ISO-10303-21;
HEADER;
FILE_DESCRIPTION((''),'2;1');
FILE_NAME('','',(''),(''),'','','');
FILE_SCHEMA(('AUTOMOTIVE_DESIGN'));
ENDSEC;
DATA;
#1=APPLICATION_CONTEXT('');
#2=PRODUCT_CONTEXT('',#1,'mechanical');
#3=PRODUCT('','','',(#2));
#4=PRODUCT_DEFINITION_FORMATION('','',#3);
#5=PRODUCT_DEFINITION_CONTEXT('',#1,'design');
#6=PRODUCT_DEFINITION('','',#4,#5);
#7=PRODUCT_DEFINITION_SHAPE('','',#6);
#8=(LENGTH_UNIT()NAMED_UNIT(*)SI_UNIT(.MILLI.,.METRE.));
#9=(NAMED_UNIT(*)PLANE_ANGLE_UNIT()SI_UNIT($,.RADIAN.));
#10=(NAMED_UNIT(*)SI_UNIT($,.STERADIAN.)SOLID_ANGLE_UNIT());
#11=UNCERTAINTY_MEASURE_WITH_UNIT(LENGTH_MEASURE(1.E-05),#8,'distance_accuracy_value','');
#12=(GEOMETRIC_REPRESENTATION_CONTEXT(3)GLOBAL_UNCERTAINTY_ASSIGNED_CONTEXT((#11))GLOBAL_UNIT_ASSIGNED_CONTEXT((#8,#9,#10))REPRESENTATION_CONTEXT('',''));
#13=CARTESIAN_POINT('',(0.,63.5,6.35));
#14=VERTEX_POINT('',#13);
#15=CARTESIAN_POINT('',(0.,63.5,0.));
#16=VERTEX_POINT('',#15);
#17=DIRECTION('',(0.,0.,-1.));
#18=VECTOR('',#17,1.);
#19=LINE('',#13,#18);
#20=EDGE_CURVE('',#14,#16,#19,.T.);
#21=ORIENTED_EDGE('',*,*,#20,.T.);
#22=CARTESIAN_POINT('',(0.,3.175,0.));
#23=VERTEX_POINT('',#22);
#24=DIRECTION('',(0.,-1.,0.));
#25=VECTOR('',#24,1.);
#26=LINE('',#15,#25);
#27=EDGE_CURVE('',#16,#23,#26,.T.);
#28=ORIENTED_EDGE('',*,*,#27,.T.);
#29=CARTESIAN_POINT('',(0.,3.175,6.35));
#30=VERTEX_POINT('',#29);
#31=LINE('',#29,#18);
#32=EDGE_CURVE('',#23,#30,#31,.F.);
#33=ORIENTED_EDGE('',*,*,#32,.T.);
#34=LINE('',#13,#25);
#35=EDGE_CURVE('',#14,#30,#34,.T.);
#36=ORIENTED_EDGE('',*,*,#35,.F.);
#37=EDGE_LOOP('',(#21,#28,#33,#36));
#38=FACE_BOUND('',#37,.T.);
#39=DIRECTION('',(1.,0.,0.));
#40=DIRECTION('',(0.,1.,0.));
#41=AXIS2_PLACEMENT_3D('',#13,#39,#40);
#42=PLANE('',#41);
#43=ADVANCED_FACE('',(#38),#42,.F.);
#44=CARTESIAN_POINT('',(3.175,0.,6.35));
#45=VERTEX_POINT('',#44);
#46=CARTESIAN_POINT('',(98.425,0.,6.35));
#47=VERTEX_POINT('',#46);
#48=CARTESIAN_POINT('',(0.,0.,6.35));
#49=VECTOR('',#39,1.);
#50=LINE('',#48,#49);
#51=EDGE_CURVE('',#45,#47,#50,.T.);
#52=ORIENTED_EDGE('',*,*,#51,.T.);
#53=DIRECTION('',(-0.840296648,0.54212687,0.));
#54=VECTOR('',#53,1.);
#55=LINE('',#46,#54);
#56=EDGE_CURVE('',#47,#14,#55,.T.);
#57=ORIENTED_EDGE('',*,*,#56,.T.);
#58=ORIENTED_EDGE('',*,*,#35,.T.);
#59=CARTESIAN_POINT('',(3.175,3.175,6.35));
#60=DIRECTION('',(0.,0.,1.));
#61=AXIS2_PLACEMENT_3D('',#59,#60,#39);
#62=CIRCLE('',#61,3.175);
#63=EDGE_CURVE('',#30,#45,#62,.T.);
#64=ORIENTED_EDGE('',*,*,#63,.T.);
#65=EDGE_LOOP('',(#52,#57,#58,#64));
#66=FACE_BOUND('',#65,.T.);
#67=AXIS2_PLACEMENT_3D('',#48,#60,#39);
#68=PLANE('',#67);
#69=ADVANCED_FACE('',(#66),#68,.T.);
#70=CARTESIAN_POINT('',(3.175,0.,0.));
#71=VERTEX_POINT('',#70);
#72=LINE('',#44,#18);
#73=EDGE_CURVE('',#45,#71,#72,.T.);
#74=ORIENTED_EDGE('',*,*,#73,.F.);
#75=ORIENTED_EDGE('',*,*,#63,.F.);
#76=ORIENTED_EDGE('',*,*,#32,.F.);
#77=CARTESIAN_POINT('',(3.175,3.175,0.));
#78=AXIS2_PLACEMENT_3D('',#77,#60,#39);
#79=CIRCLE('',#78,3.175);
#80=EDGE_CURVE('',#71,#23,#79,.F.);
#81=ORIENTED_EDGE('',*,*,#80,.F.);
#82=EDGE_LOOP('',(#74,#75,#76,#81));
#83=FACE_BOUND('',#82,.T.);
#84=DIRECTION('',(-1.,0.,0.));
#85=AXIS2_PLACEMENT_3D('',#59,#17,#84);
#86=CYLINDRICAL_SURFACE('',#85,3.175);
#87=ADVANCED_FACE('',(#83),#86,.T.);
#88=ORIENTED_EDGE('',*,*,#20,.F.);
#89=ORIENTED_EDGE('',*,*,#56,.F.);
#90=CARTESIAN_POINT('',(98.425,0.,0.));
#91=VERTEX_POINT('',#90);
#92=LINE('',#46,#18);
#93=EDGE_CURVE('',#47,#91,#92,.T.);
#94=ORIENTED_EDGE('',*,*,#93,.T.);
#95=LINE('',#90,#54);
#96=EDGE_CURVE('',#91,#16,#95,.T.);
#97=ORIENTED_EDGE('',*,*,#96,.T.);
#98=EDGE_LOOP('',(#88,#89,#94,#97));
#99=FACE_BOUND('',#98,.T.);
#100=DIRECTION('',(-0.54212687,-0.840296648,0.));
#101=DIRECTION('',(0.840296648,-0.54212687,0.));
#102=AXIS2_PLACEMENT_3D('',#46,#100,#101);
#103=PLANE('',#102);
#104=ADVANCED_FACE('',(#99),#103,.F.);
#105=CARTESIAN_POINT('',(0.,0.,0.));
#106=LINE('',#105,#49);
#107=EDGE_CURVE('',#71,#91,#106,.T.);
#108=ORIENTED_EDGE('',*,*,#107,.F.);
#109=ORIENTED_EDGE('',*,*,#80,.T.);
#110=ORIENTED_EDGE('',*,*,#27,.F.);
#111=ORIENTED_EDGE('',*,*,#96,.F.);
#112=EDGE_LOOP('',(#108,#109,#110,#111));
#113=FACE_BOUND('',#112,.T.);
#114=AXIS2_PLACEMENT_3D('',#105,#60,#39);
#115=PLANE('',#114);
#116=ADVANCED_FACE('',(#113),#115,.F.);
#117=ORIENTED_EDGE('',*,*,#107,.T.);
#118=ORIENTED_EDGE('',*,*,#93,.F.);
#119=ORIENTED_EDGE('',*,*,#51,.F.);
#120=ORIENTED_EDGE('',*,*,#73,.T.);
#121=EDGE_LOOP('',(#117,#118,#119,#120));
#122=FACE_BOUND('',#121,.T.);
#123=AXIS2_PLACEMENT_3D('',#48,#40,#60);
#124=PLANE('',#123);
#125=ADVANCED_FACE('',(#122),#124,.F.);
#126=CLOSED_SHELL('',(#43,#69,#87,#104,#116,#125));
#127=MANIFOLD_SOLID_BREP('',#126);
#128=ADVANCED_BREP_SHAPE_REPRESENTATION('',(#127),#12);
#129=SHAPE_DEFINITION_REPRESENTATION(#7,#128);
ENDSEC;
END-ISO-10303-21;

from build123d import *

# Parameters (mm, degrees)
BOSS_EXTRUDE1_DEPTH = 6.35
FILLET1_R           = 3.175


with BuildPart() as part:
    # Sketch2 → Boss-Extrude1 (new body)
    with BuildSketch(Plane.XY):
        Polygon((0, 0), (98.425, 0), (0, 63.5), align=None)
    extrude(amount=BOSS_EXTRUDE1_DEPTH)

    # Fillet1
    fillet1_edges = [part.edges().sort_by_distance(p)[0] for p in [
        (0, 0, 3.175),
    ]]
    fillet(fillet1_edges, radius=FILLET1_R)


solid = part.part
